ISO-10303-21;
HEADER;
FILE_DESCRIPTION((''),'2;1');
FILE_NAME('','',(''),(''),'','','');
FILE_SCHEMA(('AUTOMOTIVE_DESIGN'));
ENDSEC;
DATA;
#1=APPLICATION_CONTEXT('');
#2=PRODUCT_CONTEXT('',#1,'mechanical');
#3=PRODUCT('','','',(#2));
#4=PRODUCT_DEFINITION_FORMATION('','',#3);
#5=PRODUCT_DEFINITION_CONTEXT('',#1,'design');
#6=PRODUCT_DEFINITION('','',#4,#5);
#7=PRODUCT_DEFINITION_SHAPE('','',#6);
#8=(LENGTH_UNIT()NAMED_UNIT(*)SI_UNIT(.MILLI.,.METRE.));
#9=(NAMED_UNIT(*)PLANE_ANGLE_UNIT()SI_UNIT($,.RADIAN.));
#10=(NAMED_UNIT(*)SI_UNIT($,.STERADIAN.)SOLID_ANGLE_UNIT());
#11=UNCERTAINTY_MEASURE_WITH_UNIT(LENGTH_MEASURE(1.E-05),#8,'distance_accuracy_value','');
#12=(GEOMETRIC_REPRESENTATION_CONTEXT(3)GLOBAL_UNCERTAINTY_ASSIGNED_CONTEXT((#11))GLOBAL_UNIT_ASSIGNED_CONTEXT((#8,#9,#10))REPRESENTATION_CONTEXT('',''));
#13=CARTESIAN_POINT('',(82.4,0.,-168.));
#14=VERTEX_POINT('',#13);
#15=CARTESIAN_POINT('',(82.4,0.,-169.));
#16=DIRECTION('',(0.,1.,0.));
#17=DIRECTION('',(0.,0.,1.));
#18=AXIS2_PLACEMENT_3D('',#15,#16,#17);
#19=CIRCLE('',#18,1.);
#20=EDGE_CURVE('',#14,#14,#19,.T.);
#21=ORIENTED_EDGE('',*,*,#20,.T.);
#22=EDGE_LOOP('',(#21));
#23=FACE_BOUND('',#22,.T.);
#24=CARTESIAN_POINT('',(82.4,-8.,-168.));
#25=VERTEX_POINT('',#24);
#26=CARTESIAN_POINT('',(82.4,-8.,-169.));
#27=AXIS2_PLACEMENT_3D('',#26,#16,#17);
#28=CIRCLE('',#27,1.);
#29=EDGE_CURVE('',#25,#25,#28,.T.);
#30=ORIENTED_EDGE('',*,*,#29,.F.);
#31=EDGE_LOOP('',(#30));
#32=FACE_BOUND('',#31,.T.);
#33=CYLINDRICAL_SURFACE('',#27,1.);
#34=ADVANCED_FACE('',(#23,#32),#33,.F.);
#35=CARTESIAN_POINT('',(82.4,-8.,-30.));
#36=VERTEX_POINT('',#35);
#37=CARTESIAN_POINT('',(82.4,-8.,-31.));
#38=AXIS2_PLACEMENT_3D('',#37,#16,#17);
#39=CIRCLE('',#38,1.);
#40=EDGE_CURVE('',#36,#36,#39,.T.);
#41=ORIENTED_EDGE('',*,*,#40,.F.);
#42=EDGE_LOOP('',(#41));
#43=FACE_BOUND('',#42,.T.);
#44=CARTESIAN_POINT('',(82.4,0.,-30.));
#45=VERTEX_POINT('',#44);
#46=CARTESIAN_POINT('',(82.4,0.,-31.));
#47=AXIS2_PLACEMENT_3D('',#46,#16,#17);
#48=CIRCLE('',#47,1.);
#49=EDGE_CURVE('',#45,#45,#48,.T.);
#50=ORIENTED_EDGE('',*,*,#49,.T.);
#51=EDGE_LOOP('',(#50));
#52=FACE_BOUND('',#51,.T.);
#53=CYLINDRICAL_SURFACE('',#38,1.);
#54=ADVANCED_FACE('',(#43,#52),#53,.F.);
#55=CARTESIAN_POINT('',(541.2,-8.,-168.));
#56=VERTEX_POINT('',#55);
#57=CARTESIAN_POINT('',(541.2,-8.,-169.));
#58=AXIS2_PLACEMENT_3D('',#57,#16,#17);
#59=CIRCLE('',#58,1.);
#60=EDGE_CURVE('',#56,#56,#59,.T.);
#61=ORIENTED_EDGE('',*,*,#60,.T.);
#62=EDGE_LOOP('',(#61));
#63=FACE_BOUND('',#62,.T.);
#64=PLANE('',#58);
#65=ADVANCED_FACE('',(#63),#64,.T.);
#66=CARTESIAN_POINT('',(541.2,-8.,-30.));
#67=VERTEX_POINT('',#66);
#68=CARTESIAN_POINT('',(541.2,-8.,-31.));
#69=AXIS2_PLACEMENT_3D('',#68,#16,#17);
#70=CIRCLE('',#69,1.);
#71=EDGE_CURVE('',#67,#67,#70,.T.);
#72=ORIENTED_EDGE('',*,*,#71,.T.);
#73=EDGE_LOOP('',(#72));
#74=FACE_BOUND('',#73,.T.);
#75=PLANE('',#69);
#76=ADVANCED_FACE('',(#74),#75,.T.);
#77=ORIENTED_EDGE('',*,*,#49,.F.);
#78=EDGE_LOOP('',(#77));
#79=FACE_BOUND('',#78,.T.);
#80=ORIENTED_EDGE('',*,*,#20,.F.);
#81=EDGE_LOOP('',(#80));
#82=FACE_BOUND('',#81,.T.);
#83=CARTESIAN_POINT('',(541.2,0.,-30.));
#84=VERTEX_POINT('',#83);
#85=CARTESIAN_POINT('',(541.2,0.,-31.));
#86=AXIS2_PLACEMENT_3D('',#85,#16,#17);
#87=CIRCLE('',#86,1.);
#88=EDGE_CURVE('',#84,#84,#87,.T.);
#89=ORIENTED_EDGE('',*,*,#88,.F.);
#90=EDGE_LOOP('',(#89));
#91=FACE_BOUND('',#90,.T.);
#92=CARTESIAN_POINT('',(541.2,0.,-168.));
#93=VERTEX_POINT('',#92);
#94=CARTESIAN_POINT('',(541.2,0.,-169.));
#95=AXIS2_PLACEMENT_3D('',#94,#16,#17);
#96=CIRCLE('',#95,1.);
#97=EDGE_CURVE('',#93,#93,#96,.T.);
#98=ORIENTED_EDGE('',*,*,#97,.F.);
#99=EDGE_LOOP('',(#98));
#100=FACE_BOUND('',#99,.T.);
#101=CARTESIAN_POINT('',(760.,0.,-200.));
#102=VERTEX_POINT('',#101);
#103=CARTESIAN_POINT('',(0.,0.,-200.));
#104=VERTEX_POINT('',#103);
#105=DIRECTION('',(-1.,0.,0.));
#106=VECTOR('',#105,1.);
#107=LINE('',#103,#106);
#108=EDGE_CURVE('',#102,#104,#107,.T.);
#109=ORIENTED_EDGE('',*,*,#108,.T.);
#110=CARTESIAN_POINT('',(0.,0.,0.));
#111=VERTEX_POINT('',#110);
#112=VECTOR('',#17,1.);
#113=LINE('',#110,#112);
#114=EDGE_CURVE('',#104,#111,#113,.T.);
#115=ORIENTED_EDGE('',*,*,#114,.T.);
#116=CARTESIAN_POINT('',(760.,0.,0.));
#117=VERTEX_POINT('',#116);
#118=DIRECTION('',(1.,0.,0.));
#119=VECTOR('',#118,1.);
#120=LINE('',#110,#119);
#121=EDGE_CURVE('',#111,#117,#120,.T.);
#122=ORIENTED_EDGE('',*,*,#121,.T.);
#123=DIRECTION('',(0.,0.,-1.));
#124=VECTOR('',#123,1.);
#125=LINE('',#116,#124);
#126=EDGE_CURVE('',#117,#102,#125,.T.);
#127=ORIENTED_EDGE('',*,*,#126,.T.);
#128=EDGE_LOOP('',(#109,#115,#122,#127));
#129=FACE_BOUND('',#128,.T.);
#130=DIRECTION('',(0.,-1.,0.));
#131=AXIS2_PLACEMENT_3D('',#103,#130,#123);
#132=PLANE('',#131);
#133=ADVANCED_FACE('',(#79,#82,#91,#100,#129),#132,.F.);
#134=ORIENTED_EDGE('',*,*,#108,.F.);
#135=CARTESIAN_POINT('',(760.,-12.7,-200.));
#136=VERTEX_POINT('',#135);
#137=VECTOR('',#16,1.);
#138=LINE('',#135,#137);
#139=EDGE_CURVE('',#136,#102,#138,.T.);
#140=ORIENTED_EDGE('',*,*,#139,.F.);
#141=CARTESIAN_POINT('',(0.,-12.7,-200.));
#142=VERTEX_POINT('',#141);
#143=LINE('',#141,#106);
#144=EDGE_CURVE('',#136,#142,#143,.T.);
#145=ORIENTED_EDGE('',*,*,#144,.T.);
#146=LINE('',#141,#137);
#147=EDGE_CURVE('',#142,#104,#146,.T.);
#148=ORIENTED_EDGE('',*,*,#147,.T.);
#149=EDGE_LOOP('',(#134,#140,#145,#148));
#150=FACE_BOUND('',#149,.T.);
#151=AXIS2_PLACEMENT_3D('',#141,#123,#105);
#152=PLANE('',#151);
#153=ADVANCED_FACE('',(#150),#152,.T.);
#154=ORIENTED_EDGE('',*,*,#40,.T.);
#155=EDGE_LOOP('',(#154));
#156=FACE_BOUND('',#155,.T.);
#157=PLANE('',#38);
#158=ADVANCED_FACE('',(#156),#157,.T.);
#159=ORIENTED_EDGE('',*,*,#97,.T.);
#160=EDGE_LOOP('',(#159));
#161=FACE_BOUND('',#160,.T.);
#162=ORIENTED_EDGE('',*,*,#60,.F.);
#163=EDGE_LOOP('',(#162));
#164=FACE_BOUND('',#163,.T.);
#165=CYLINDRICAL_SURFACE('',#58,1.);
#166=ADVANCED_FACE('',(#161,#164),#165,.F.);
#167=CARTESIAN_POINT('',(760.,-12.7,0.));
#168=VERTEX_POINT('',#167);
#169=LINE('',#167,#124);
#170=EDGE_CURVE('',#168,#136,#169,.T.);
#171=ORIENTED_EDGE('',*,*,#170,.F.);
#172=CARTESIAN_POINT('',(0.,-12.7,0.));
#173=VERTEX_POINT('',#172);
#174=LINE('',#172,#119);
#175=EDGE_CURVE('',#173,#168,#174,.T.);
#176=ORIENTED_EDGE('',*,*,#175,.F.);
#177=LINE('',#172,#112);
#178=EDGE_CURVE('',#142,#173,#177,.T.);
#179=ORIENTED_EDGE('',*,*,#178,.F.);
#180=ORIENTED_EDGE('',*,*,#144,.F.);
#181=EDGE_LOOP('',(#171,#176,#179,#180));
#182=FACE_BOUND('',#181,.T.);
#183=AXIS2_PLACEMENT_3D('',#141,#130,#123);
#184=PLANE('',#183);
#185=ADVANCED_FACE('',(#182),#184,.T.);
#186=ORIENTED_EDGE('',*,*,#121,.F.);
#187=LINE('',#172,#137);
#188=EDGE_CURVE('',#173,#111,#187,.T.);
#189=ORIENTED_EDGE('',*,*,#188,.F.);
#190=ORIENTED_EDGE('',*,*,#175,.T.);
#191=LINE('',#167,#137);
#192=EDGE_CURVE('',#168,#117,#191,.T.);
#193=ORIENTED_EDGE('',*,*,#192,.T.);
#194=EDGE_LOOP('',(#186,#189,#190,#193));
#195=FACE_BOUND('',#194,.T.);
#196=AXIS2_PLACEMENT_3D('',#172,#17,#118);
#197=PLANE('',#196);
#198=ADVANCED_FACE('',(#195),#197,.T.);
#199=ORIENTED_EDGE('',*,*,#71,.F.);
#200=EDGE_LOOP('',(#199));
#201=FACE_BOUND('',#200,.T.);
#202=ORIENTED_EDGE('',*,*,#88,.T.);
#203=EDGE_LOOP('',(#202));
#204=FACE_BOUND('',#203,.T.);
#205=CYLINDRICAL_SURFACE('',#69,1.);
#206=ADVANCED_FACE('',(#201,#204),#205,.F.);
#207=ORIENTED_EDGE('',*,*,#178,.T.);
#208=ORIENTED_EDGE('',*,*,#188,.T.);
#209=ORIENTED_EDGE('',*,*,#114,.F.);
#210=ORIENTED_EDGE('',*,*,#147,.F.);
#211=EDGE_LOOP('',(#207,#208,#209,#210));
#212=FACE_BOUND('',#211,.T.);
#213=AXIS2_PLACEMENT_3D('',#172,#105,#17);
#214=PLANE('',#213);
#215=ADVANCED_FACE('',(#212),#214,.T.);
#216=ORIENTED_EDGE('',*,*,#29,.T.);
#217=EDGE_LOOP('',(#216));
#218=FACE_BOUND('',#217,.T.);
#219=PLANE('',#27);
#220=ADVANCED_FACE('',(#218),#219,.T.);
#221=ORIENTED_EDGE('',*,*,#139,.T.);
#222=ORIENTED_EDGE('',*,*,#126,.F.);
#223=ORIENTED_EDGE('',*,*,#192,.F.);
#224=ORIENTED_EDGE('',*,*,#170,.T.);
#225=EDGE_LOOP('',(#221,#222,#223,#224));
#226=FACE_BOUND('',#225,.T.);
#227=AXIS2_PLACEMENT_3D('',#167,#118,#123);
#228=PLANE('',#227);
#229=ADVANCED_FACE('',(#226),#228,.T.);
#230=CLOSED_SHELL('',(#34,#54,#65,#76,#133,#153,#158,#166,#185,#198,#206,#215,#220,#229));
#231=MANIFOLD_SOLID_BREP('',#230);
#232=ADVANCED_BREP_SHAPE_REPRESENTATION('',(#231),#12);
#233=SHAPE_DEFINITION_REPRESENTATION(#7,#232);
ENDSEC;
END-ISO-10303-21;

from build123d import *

# Parameters (mm, degrees)
SKETCH1_W           = 760
SKETCH1_H           = 200
BOSS_EXTRUDE1_DEPTH = 12.7
SKETCH2_R           = 1
CUT_EXTRUDE1_DEPTH  = 8


with BuildPart() as part:
    # Sketch1 → Boss-Extrude1 (new body)
    with BuildSketch(Plane(origin=(0, 0, 0), x_dir=(1, 0, 0), z_dir=(0, 1, 0))):
        with Locations((380, 100)):
            Rectangle(SKETCH1_W, SKETCH1_H)
    extrude(amount=-BOSS_EXTRUDE1_DEPTH)

    # Sketch2 → Cut-Extrude1 (cut)
    with BuildSketch(Plane(origin=(0, 0, 0), x_dir=(1, 0, 0), z_dir=(0, 1, 0))):
        with Locations(Location((82.4, 31, 0), (0, 0, 270))):  # turned: the seam where the file's is
            Circle(SKETCH2_R)
        with Locations(Location((82.4, 169, 0), (0, 0, 270))):  # turned: the seam where the file's is
            Circle(SKETCH2_R)
        with Locations(Location((541.2, 31, 0), (0, 0, 270))):  # turned: the seam where the file's is
            Circle(SKETCH2_R)
        with Locations(Location((541.2, 169, 0), (0, 0, 270))):  # turned: the seam where the file's is
            Circle(SKETCH2_R)
    extrude(amount=-CUT_EXTRUDE1_DEPTH, mode=Mode.SUBTRACT)


solid = part.part
